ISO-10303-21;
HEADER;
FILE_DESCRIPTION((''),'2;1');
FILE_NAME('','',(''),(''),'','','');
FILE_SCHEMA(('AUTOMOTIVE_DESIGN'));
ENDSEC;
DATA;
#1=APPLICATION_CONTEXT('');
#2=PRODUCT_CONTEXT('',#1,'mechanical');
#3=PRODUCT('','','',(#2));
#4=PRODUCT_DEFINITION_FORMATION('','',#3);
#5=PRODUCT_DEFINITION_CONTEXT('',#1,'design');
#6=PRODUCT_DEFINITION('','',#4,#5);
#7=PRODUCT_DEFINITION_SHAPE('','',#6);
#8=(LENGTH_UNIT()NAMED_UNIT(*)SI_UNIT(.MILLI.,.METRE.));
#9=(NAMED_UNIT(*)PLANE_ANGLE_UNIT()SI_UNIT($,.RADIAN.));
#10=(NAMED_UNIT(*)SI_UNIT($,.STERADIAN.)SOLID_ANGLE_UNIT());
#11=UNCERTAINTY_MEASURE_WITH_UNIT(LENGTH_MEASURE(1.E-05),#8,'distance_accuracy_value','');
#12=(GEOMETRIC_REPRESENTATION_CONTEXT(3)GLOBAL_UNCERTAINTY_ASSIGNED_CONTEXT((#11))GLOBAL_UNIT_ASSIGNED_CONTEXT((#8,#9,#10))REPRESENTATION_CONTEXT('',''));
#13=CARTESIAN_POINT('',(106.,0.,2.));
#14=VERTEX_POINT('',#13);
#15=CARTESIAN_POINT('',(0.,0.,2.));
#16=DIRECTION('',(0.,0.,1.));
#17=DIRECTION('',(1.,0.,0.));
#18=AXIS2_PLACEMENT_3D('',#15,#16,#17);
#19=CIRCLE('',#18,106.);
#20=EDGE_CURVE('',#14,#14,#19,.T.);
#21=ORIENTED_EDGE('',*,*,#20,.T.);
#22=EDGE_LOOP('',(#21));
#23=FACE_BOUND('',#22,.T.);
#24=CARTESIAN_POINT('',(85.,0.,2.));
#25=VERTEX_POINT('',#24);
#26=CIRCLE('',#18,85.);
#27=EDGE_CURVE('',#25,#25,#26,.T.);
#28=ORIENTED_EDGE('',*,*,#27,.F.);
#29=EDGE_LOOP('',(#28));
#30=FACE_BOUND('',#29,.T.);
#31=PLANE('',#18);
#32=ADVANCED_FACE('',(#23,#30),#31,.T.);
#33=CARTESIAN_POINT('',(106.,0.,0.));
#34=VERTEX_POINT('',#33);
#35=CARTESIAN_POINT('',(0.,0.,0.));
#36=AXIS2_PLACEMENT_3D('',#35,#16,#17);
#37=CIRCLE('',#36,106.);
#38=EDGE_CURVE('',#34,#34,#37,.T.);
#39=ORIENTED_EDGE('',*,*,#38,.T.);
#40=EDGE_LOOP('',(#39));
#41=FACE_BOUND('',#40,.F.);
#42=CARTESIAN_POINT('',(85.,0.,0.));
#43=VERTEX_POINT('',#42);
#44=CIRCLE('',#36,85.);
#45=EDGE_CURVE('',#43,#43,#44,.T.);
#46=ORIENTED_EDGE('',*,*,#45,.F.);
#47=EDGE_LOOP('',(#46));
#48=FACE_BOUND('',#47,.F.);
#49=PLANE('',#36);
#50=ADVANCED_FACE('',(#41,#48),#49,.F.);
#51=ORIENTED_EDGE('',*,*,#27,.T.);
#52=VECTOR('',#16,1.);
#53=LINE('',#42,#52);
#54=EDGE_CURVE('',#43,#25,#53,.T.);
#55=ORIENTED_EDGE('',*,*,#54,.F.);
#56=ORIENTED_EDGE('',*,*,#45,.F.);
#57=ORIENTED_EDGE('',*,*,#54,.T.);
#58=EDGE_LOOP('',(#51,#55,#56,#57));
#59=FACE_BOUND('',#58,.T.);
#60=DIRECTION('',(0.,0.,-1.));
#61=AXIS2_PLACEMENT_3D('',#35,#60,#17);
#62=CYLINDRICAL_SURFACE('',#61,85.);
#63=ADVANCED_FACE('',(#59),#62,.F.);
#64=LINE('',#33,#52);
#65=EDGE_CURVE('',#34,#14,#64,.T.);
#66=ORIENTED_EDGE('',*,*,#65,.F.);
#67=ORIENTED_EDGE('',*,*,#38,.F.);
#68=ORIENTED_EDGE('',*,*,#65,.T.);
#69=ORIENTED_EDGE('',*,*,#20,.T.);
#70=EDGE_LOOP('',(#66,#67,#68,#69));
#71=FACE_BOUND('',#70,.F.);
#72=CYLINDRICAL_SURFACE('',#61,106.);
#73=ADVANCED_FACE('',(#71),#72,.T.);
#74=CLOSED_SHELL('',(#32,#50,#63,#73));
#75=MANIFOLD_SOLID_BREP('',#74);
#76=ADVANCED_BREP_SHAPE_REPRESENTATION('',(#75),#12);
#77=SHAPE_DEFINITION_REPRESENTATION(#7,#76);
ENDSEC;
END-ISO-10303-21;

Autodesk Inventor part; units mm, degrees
ref_plane "YZ Plane" through (0, 0, 0) normal (1, 0, 0) x (0, 1, 0)
ref_plane "XZ Plane" through (0, 0, 0) normal (0, 1, 0) x (-1, 0, 0)
ref_plane "XY Plane" through (0, 0, 0) normal (0, 0, 1) x (1, 0, 0)
sketch "Sketch1" plane through (0, 0, 0) normal (0, 0, 1) x (1, 0, 0)
  circle A0 centre (0, 0) radius 106
  circle A1 centre (0, 0) radius 85
  dimension "d0" = 170
  dimension "d1" = 212
extrude "Extrusion1" add sketch "Sketch1" along normal blind 2
properties part number "Lid_A" material "PMMA Plastic"
